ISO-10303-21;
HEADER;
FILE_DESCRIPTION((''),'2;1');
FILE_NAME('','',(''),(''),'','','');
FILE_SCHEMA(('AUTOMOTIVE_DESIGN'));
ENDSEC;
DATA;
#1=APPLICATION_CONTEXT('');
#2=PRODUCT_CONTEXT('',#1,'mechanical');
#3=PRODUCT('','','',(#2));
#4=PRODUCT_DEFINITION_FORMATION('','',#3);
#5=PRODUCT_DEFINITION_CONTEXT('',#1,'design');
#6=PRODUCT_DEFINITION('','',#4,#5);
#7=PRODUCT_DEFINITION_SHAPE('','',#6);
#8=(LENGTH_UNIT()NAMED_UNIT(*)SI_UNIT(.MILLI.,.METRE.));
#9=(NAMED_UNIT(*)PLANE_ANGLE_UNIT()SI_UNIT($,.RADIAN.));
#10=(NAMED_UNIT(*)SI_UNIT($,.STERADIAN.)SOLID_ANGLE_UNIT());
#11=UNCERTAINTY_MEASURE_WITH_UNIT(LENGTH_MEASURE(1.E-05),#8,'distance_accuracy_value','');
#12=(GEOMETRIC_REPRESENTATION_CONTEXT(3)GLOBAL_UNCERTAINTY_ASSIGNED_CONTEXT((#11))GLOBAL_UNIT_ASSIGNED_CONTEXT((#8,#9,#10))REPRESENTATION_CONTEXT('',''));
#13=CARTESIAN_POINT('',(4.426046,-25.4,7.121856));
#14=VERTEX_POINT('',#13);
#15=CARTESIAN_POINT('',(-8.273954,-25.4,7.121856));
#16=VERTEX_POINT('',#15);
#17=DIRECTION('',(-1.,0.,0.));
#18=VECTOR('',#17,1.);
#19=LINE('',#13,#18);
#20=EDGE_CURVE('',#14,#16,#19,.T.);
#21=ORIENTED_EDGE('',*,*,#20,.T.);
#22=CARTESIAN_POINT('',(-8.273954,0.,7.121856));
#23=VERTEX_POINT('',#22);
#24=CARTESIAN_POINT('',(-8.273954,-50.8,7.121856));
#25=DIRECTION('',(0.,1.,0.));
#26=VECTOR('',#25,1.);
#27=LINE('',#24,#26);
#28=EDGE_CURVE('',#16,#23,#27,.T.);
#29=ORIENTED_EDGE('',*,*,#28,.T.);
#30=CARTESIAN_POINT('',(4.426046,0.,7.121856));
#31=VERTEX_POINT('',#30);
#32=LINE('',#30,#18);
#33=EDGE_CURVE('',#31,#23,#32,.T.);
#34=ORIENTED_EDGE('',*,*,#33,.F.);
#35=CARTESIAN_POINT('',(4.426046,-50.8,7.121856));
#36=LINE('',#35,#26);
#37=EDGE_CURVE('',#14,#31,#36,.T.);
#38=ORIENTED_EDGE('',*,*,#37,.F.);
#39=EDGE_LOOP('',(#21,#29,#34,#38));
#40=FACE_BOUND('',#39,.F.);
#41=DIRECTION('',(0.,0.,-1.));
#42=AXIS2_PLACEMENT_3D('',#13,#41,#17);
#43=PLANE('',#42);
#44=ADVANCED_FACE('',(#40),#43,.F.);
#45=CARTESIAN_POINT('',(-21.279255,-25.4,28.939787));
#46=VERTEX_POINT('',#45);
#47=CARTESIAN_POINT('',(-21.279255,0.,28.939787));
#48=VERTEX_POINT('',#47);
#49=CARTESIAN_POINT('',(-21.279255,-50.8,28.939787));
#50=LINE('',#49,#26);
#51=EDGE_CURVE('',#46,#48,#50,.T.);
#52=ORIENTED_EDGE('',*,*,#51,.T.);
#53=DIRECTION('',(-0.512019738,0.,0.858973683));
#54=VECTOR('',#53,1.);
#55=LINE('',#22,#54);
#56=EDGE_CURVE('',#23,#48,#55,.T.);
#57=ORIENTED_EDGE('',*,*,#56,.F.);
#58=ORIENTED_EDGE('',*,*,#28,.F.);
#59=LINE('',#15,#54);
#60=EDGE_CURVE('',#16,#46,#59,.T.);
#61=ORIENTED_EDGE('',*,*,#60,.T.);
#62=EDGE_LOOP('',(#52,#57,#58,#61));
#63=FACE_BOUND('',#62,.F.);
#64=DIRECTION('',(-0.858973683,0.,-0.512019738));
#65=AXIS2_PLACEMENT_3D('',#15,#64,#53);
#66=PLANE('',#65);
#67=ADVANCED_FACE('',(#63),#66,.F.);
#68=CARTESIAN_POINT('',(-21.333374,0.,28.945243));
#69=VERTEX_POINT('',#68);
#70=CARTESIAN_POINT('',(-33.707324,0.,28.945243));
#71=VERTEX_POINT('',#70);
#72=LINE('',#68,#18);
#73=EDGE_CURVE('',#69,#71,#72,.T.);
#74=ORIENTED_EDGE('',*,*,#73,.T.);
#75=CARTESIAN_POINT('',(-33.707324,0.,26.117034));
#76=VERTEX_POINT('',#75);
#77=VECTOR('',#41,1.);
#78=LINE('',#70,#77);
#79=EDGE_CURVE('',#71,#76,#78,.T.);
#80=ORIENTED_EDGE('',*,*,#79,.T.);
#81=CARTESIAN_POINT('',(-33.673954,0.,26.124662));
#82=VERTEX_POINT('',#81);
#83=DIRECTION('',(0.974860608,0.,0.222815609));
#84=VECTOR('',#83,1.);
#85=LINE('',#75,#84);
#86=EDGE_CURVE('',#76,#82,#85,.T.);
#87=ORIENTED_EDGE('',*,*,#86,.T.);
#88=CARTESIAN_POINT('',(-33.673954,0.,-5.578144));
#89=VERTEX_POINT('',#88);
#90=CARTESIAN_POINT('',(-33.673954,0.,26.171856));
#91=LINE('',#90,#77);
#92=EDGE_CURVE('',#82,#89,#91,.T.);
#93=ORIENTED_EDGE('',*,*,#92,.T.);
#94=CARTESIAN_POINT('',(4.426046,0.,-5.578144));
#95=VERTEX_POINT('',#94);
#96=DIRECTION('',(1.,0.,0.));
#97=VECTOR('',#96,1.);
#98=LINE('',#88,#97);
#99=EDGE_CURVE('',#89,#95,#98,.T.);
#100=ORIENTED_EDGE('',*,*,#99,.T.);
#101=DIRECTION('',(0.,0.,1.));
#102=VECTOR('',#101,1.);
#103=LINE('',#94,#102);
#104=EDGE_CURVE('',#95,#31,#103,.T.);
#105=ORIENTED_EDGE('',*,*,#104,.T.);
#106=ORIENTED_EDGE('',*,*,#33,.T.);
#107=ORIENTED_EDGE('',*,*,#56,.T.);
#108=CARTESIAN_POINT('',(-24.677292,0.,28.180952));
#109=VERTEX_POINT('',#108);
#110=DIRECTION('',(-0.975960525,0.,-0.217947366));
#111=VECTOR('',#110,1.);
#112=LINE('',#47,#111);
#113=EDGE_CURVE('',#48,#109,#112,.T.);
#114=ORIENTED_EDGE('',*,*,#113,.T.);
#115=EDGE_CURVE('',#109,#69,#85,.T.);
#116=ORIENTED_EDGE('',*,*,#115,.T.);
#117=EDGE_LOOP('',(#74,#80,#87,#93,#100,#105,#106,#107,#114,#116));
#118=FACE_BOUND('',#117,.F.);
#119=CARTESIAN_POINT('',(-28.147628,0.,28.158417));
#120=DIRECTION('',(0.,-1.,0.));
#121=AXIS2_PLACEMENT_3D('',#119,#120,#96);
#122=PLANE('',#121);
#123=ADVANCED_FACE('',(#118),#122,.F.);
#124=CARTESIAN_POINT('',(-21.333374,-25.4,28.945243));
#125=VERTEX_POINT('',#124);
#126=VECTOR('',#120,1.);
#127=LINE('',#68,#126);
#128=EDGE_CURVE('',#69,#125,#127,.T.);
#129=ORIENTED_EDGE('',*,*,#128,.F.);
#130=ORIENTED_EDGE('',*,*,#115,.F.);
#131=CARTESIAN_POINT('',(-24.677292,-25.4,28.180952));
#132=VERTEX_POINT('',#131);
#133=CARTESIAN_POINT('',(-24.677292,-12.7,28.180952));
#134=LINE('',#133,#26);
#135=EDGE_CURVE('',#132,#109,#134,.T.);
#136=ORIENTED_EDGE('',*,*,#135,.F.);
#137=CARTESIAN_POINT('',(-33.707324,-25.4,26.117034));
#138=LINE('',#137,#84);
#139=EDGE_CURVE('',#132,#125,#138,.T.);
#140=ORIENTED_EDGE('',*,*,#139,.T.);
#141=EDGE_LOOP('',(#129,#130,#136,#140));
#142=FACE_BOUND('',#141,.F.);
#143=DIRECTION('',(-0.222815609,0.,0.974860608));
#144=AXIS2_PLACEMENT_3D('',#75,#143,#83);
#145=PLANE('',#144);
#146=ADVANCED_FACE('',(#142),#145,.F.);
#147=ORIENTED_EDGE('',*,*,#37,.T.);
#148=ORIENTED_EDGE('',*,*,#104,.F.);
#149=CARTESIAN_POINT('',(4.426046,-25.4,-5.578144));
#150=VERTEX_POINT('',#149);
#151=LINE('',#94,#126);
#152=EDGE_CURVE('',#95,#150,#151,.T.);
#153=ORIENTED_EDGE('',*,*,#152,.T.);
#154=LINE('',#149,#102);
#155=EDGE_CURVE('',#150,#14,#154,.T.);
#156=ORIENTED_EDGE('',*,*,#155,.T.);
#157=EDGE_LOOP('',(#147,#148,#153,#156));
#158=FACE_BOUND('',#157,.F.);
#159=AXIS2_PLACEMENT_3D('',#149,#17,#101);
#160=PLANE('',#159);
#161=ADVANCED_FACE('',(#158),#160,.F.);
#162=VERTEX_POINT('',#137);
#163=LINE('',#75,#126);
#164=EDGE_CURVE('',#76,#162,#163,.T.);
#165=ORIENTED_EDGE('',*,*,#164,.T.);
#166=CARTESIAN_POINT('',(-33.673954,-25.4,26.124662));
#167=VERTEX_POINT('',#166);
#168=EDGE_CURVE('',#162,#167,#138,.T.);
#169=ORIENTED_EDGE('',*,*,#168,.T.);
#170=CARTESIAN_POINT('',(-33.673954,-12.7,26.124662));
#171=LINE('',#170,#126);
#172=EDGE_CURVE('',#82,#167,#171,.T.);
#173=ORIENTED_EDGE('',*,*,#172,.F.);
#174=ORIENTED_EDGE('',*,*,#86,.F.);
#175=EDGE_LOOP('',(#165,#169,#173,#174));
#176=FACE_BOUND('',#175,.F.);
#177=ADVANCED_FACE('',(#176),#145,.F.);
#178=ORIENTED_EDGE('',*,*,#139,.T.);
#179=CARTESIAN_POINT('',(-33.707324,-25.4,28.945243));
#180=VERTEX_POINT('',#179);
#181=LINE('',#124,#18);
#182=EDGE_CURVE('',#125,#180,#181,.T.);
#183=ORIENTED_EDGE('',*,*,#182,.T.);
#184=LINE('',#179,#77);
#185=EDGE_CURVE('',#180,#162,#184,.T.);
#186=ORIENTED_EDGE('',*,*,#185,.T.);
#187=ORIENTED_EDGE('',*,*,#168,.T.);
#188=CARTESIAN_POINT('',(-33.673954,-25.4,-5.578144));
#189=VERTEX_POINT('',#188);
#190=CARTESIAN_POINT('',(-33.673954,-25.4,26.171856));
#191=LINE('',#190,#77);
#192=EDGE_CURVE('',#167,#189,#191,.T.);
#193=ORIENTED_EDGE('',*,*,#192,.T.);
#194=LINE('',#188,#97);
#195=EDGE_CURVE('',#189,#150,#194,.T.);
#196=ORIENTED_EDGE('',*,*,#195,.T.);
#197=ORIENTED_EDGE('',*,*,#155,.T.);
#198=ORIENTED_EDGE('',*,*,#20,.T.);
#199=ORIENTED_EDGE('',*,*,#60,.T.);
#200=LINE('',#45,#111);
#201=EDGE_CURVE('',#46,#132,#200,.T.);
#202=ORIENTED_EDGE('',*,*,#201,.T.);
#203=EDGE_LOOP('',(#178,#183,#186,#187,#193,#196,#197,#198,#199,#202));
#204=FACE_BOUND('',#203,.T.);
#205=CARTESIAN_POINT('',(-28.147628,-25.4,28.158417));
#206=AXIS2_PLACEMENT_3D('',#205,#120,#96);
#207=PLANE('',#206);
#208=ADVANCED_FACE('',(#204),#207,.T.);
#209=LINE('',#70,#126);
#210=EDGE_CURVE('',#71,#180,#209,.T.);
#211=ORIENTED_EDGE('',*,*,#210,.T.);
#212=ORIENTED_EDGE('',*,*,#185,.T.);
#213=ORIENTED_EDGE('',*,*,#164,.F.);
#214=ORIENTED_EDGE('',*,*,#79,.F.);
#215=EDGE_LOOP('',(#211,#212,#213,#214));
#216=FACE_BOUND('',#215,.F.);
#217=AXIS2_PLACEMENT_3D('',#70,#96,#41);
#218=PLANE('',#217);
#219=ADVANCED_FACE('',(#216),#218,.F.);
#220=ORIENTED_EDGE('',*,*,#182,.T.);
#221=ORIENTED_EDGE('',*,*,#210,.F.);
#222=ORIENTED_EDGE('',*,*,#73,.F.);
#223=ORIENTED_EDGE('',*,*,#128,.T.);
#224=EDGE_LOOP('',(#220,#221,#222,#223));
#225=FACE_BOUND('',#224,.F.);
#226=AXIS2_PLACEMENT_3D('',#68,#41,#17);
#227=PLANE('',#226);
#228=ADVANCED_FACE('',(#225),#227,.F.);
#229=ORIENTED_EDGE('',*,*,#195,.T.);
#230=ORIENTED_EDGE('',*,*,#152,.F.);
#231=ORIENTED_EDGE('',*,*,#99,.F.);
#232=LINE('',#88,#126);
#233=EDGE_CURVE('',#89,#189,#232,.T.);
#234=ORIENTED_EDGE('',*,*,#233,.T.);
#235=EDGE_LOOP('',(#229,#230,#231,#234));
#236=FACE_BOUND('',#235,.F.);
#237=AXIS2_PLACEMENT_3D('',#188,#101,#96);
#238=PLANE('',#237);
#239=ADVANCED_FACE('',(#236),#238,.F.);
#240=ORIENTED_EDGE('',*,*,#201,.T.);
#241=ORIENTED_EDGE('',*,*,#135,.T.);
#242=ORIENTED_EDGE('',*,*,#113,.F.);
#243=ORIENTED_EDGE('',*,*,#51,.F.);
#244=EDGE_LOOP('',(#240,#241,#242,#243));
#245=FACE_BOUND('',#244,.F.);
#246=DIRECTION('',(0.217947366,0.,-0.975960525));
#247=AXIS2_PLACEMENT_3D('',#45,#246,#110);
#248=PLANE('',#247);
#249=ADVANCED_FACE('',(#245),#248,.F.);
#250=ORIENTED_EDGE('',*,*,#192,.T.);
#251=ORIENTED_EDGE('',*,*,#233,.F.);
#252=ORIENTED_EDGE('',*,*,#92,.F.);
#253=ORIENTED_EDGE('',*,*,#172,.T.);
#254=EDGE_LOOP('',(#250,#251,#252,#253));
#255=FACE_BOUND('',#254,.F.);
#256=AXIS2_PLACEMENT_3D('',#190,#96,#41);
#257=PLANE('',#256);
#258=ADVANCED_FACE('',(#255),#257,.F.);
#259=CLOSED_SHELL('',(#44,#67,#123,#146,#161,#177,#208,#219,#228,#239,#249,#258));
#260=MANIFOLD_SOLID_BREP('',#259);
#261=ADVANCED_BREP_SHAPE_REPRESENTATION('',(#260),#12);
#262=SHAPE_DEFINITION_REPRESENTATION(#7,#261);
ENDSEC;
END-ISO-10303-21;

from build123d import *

# Parameters (mm, degrees)
F1_DEPTH = 25.4
F2_DEPTH = 25.4
F4_DEPTH = 25.4
F5_DEPTH = 25.4


with BuildPart() as f1:
    # F0 (on Front) → F1 (new body)
    with BuildSketch(Plane.XZ):
        Polygon((-21.2792549282, 28.9397872984), (-33.6739535907, 26.1718557484), (-33.6739535907, -5.5781442516), (4.4260464093, -5.5781442516), (4.4260464093, 7.1218557484), (-8.2739535907, 7.1218557484), align=None)
    extrude(amount=F1_DEPTH)

    # F2 (add): a face of the model
    f2_faces = [f1.faces().sort_by_distance(p)[0] for p in [
        (-18.6613811505, -25.4, 7.7485425126),
    ]]
    extrude(f2_faces, amount=F2_DEPTH)

    # F3 (on Front) → F4 (join)
    with BuildSketch(Plane.XZ):
        Polygon((-33.7073244154, 26.1170342565), (-21.333374083, 28.9452429861), (-33.7073244154, 28.9452429861), align=None)
    extrude(amount=F4_DEPTH)

    # F5 (cut): a face of the model
    f5_faces = [f1.faces().sort_by_distance(p)[0] for p in [
        (-18.6613811505, -50.8, 7.7485425126),
    ]]
    extrude(f5_faces, amount=-F5_DEPTH, mode=Mode.SUBTRACT)


solid = f1.part
